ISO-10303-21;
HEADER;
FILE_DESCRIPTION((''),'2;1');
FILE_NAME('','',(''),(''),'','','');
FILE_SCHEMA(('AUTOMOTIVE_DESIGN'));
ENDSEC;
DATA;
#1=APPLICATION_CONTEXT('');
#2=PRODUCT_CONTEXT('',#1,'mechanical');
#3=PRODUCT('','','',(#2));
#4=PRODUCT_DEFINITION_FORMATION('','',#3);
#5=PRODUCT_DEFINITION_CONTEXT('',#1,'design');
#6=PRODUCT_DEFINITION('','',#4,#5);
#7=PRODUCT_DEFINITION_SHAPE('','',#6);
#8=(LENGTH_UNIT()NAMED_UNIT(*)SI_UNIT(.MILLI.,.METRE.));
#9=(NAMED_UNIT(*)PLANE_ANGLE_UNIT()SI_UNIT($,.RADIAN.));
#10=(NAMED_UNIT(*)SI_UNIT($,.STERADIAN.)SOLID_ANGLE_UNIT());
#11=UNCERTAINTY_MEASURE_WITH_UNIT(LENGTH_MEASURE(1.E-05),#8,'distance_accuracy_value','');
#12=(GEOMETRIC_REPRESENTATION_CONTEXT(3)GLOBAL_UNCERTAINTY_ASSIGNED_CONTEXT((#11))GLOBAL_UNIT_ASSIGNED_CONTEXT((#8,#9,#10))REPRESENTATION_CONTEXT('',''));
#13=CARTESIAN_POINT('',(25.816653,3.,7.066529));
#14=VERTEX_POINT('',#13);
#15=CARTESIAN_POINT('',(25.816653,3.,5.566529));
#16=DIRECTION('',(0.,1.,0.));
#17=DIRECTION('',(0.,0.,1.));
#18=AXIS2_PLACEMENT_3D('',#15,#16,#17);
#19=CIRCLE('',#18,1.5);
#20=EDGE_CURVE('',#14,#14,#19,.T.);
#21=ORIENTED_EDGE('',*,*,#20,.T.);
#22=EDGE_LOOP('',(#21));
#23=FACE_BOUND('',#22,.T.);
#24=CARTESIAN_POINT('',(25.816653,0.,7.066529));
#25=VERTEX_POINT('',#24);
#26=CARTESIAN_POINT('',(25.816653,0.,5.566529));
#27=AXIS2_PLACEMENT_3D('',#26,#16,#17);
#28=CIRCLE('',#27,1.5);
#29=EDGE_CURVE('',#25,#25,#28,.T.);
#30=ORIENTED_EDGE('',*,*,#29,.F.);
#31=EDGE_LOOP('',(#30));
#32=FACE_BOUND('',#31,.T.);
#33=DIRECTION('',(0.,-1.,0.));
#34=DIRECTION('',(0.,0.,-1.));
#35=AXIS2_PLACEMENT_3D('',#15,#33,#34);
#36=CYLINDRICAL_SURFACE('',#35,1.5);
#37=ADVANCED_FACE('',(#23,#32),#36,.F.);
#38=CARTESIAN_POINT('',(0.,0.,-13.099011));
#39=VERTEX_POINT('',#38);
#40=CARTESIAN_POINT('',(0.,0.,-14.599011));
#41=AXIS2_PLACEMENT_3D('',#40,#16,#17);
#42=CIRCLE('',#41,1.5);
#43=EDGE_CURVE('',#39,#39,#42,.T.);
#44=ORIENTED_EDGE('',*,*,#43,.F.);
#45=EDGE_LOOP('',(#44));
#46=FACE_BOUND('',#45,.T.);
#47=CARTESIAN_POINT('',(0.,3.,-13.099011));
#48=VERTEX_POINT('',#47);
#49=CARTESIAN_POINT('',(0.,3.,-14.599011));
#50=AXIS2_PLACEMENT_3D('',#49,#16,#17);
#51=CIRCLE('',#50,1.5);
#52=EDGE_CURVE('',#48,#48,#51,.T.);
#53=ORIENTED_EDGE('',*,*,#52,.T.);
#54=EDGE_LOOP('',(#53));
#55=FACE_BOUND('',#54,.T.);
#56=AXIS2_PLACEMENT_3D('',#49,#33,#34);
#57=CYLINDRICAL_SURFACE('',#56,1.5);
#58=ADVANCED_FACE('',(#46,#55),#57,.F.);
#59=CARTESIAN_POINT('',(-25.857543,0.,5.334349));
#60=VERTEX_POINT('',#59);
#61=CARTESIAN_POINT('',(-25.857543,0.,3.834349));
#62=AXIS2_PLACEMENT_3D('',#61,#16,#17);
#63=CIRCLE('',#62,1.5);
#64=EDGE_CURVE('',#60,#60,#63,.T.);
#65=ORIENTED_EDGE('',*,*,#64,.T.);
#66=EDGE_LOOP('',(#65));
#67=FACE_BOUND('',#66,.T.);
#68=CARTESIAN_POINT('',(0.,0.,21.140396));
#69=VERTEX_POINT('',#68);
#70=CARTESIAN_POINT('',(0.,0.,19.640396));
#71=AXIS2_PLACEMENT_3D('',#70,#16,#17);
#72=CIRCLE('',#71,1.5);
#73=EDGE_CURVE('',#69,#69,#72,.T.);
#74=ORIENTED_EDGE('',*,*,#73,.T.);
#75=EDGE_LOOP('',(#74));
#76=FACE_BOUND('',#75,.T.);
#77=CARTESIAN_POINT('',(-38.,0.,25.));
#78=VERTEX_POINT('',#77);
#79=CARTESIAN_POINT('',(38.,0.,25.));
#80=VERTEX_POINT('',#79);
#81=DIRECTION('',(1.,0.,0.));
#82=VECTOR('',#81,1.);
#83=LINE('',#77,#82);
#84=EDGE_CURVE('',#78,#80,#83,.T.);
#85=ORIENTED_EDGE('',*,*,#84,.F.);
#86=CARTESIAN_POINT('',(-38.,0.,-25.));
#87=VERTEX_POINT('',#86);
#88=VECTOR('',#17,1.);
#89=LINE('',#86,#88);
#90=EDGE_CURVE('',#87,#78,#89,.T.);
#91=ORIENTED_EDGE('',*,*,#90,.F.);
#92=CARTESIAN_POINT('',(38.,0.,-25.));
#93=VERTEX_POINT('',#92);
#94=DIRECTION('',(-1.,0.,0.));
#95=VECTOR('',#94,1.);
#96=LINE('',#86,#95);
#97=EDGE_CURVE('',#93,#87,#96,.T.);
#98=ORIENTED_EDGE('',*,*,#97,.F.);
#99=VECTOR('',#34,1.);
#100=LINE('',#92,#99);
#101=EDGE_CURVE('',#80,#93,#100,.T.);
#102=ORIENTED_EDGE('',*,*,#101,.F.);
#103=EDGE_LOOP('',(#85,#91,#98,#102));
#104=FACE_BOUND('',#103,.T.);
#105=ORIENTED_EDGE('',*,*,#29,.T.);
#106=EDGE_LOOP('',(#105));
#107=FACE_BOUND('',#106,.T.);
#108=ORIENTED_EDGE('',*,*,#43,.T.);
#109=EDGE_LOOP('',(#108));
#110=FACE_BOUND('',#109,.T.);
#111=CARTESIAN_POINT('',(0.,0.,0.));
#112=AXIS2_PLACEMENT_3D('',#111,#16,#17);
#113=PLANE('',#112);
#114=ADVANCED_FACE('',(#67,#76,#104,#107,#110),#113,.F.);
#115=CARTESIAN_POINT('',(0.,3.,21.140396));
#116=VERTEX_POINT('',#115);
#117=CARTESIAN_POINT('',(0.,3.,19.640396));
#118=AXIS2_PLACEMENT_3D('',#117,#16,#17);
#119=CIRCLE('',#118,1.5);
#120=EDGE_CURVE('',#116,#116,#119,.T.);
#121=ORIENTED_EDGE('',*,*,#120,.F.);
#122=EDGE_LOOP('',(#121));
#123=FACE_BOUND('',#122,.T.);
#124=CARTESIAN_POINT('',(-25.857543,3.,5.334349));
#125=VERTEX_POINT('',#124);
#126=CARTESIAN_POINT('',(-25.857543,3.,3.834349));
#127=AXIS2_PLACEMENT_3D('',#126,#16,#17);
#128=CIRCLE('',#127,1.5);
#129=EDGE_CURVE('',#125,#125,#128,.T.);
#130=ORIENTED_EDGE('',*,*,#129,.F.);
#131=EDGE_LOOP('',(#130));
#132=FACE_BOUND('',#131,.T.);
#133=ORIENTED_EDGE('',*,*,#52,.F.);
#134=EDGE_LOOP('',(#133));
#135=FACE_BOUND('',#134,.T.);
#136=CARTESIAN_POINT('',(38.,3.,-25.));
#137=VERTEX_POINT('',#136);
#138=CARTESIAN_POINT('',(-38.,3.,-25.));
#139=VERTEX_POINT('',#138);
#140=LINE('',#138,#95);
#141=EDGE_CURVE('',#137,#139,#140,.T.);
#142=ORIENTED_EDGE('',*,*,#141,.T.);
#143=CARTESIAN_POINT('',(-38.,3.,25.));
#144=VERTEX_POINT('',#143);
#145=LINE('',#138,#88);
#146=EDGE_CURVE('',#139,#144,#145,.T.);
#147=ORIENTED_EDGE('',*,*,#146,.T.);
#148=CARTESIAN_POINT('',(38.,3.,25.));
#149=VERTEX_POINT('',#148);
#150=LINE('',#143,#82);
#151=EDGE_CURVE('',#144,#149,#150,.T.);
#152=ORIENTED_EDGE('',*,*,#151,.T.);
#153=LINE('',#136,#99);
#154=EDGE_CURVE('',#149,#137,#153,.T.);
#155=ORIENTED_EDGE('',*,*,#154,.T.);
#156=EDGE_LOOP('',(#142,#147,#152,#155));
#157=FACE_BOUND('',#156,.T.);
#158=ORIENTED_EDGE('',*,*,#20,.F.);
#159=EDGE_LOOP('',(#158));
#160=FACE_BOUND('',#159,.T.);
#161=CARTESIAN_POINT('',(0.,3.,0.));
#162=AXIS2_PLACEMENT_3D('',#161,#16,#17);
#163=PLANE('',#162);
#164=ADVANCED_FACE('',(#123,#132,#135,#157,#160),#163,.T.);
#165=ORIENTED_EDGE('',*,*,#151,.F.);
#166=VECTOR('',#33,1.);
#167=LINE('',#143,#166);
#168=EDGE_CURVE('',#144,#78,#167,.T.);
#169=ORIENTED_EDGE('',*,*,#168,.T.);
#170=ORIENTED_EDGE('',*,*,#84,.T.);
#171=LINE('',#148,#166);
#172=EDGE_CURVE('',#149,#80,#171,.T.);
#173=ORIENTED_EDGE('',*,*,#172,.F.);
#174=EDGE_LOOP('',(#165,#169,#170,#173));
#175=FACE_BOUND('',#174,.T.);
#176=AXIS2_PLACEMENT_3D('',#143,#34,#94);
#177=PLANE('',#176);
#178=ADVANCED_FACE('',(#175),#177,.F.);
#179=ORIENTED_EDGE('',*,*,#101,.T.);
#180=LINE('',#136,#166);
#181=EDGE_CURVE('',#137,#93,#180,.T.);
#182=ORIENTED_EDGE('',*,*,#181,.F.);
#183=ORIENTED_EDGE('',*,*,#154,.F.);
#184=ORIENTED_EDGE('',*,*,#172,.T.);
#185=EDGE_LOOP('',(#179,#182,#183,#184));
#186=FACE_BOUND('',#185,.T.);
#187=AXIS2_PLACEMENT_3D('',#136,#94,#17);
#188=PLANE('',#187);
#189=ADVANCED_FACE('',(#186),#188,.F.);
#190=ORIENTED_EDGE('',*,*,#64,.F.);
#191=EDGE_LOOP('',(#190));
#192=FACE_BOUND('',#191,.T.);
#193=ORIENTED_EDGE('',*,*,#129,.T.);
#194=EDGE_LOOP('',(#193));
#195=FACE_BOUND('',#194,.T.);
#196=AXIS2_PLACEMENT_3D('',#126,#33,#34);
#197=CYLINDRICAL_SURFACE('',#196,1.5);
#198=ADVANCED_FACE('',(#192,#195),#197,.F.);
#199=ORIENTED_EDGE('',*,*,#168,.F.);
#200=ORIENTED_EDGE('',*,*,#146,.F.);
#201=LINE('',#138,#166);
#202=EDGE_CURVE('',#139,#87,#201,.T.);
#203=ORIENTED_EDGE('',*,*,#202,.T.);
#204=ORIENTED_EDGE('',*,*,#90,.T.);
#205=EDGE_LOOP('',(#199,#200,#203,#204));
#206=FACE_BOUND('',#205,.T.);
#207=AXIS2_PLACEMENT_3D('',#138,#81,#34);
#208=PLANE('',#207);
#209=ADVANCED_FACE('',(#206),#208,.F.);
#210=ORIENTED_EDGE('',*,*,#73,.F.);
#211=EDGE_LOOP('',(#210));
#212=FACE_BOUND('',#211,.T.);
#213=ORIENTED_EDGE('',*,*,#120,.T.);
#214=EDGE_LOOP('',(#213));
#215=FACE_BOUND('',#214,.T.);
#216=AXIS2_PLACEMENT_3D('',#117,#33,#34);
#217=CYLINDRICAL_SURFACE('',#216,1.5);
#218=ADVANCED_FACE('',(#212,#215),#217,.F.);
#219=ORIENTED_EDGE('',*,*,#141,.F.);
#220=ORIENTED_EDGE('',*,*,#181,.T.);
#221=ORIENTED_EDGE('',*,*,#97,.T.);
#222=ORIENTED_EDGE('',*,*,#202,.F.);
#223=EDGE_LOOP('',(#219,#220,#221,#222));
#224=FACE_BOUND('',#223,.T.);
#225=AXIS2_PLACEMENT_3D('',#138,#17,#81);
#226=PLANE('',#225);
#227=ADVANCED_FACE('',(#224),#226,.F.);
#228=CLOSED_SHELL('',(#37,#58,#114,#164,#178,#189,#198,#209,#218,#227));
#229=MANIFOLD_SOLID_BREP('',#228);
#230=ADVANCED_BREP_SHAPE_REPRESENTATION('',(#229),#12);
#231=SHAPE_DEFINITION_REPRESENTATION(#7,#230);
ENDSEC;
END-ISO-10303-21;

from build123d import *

# Parameters (mm, degrees)
SKETCH2_W           = 76
SKETCH2_H           = 50
SKETCH2_R           = 1.5
BOSS_EXTRUDE1_DEPTH = 3


with BuildPart() as part:
    # Sketch2 → Boss-Extrude1 (new body)
    with BuildSketch(Plane(origin=(0, 0, 0), x_dir=(1, 0, 0), z_dir=(0, 1, 0))):
        Rectangle(SKETCH2_W, SKETCH2_H)
        with Locations((25.816652927, -5.566529266)):
            Circle(SKETCH2_R, mode=Mode.SUBTRACT)
        with Locations((0, 14.599010717)):
            Circle(SKETCH2_R, mode=Mode.SUBTRACT)
        with Locations((-25.857543281, -3.83434903)):
            Circle(SKETCH2_R, mode=Mode.SUBTRACT)
        with Locations((0, -19.640395713)):
            Circle(SKETCH2_R, mode=Mode.SUBTRACT)
    extrude(amount=BOSS_EXTRUDE1_DEPTH)


solid = part.part
